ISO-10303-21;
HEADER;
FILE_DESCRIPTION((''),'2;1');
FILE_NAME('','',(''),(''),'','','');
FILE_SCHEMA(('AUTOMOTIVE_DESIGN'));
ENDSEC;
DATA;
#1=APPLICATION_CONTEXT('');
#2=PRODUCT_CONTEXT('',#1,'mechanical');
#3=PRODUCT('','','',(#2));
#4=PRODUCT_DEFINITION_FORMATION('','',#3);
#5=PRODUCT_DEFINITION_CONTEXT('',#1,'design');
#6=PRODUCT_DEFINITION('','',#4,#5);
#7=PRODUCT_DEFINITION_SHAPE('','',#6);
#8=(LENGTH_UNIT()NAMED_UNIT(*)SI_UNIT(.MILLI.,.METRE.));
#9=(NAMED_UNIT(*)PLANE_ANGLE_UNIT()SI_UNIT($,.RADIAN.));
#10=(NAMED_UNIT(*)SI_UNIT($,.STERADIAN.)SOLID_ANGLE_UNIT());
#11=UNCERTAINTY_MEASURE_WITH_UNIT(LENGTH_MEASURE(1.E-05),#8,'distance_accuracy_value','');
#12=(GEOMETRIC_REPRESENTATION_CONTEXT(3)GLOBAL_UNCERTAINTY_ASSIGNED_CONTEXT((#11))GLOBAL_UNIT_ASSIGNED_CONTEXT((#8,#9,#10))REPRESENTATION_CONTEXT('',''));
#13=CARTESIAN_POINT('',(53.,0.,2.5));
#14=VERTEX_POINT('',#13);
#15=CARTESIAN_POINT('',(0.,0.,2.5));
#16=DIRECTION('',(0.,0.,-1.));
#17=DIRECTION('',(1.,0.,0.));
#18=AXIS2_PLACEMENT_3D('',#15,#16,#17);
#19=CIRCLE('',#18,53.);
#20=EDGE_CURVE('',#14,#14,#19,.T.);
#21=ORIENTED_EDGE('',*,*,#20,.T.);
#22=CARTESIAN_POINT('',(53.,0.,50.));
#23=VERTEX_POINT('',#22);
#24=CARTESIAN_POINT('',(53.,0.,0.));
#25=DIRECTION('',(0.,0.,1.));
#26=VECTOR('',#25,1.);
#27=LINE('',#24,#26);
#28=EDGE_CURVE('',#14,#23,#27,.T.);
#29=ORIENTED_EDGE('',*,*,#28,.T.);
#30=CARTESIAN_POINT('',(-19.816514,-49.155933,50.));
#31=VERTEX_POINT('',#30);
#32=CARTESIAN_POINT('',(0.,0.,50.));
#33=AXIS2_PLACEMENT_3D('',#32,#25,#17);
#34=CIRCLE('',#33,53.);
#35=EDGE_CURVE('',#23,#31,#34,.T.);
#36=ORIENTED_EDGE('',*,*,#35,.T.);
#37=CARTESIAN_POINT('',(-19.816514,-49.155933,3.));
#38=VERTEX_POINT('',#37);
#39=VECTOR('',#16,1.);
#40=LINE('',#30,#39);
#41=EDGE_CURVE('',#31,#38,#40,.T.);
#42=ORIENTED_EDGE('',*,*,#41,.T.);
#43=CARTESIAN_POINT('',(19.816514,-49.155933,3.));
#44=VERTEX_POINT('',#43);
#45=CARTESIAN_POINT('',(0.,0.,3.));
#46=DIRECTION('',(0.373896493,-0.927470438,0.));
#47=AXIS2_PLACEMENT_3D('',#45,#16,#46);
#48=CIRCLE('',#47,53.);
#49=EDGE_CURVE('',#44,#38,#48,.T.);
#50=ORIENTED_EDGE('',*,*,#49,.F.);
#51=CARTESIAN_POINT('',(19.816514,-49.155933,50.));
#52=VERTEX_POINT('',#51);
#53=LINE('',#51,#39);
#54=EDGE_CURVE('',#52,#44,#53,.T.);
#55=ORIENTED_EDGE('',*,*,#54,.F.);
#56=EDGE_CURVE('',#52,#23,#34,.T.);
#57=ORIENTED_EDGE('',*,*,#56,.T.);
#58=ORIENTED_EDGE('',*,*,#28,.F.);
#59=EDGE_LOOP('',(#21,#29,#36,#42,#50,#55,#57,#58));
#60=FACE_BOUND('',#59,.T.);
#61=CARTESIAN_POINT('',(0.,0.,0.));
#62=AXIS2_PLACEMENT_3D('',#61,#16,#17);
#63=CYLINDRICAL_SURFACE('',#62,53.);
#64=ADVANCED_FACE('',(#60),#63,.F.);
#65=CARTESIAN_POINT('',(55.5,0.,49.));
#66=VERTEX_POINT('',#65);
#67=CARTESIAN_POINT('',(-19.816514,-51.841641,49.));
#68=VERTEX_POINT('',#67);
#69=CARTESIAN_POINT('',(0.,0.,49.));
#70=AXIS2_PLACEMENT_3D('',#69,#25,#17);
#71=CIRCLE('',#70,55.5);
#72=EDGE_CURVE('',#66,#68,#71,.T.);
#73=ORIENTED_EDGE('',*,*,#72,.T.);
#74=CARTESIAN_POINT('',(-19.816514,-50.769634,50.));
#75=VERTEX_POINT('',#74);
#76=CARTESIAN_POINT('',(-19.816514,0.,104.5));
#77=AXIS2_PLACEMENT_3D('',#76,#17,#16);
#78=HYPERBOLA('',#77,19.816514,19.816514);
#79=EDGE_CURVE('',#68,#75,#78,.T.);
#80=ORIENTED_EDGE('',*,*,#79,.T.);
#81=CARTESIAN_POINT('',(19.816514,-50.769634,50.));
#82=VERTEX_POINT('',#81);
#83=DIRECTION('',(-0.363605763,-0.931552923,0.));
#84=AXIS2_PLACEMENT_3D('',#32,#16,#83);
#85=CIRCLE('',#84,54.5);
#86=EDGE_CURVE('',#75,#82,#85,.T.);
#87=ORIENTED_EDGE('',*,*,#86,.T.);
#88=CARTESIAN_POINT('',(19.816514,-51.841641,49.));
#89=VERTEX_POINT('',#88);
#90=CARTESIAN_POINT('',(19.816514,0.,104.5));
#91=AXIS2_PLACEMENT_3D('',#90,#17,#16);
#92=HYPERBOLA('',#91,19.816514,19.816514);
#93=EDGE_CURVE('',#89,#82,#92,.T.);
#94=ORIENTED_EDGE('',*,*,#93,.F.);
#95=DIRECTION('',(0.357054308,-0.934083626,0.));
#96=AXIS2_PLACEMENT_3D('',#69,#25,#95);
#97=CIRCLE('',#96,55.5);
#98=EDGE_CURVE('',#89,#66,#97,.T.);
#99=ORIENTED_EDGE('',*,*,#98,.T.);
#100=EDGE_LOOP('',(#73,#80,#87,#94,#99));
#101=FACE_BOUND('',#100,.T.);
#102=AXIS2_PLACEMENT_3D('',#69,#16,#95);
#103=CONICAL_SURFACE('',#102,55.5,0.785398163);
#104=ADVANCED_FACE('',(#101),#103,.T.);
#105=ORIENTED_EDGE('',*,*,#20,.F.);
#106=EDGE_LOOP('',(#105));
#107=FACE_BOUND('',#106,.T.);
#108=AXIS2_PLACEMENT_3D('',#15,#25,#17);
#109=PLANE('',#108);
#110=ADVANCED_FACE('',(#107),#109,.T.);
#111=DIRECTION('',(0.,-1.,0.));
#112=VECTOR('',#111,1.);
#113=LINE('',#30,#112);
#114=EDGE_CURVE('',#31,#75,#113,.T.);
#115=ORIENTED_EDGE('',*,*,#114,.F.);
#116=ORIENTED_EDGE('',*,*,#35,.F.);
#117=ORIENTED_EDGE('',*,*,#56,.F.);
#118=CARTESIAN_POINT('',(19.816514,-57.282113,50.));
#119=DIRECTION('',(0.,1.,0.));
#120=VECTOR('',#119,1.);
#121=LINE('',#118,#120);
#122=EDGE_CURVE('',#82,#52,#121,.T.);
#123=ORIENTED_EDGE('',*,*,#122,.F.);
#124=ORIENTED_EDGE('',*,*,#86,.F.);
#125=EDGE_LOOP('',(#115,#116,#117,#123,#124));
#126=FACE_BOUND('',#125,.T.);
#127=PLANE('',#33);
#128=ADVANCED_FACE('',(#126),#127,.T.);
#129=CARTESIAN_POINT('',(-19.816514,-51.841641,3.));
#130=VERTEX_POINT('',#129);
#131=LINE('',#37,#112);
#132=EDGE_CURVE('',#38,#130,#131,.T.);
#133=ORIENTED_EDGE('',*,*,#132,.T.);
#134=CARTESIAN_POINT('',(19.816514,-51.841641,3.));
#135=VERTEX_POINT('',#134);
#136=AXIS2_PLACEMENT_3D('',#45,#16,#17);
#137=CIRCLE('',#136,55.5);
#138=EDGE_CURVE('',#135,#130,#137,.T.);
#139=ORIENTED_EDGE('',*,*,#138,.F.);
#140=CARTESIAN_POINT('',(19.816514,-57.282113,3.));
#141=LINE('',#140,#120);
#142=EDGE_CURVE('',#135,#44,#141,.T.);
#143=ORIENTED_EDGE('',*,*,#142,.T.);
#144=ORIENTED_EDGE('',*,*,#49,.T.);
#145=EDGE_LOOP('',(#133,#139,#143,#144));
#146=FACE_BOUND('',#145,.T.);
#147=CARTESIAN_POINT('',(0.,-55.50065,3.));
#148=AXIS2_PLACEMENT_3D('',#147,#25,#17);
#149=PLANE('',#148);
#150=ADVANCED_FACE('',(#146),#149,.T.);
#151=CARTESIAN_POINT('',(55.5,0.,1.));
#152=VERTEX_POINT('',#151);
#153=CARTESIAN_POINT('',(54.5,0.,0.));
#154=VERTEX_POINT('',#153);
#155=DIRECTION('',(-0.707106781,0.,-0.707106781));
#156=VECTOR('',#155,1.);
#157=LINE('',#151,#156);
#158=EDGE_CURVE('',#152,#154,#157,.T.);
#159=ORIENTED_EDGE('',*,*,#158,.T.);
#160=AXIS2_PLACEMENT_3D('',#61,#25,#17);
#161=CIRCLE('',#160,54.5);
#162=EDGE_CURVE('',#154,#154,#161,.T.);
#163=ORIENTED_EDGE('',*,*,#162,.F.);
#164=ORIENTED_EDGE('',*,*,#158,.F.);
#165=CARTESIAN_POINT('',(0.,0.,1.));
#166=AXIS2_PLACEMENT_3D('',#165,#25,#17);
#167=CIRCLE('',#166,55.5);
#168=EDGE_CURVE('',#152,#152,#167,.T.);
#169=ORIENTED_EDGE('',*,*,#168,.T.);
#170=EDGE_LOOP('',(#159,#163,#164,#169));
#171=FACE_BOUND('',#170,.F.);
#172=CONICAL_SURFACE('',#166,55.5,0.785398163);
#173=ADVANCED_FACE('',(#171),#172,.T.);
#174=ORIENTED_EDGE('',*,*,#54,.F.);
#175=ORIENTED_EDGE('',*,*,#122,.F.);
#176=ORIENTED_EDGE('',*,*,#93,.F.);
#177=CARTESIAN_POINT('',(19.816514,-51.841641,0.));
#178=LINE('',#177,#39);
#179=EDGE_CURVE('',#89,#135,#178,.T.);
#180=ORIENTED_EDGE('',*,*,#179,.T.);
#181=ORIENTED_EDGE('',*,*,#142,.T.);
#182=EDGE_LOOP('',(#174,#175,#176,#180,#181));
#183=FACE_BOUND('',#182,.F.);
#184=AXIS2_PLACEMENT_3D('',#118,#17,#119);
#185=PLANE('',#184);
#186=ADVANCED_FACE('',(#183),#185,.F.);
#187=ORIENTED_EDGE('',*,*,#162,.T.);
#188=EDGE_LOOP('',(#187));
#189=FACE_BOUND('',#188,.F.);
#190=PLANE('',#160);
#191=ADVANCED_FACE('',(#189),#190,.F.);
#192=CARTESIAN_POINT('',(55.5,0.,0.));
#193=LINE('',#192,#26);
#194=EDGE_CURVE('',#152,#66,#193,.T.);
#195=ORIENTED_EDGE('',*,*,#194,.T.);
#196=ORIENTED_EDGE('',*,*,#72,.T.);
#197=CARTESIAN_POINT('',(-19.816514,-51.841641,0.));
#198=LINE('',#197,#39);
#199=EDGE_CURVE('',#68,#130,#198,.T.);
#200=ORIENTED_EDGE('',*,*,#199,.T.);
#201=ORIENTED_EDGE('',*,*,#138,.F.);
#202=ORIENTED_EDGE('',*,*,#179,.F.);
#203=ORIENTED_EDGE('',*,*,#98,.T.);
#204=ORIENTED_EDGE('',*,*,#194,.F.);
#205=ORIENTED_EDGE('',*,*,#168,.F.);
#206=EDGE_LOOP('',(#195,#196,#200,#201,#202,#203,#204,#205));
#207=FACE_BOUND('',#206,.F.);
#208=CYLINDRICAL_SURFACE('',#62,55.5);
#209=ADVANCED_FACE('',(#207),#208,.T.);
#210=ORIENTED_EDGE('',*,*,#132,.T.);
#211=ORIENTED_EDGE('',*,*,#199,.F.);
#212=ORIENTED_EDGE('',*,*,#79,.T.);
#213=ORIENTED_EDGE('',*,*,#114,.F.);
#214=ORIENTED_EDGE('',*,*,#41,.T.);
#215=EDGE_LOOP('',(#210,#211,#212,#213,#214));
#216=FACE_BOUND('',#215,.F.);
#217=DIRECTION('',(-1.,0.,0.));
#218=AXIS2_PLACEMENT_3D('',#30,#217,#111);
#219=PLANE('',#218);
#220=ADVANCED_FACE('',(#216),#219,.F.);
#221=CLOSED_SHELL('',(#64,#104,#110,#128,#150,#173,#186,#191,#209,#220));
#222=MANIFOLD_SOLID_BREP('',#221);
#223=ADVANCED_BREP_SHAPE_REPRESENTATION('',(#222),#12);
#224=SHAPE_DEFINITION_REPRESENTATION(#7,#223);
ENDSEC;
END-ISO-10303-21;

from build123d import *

# Parameters (mm, degrees)
F0_R     = 55.5
F1_DEPTH = 50
F2_T     = -2.5
F4_DEPTH = 47
F5_SIZE  = 1


with BuildPart() as f1:
    # F0 (on Top) → F1 (new body)
    with BuildSketch(Plane.XY):
        Circle(F0_R)
    extrude(amount=F1_DEPTH)

    # F2
    f2_openings = [f1.faces().sort_by_distance(p)[0] for p in [
        (0, 0, 50),
    ]]
    offset(amount=F2_T, openings=f2_openings)

    # F3 (on face) → F4 (cut)
    with BuildSketch(Plane.XY.offset(50)):
        with BuildLine():
            ThreePointArc((19.8165141046, -51.841641262), (0, -55.5), (-19.8165141046, -51.841641262))
            Line((-19.8165141046, -51.841641262), (-19.8165141046, -57.2821125388))
            Line((-19.8165141046, -57.2821125388), (0, -57.2821125388))
            Line((0, -57.2821125388), (19.8165141046, -57.2821125388))
            Line((19.8165141046, -57.2821125388), (19.8165141046, -51.841641262))
        make_face()
        with BuildLine():
            ThreePointArc((19.8165141046, -49.1559331998), (0, -53), (-19.8165141046, -49.1559331998))
            Line((-19.8165141046, -49.1559331998), (-19.8165141046, -51.841641262))
            ThreePointArc((-19.8165141046, -51.841641262), (0, -55.5), (19.8165141046, -51.841641262))
            Line((19.8165141046, -51.841641262), (19.8165141046, -49.1559331998))
        make_face()
    extrude(amount=-F4_DEPTH, mode=Mode.SUBTRACT)

    # F5
    f5_edges = [f1.edges().sort_by_distance(p)[0] for p in [
        (-55.5, 0, 0),
        (-31.467709, 45.716882, 50),
    ]]
    chamfer(f5_edges, length=F5_SIZE)


solid = f1.part
